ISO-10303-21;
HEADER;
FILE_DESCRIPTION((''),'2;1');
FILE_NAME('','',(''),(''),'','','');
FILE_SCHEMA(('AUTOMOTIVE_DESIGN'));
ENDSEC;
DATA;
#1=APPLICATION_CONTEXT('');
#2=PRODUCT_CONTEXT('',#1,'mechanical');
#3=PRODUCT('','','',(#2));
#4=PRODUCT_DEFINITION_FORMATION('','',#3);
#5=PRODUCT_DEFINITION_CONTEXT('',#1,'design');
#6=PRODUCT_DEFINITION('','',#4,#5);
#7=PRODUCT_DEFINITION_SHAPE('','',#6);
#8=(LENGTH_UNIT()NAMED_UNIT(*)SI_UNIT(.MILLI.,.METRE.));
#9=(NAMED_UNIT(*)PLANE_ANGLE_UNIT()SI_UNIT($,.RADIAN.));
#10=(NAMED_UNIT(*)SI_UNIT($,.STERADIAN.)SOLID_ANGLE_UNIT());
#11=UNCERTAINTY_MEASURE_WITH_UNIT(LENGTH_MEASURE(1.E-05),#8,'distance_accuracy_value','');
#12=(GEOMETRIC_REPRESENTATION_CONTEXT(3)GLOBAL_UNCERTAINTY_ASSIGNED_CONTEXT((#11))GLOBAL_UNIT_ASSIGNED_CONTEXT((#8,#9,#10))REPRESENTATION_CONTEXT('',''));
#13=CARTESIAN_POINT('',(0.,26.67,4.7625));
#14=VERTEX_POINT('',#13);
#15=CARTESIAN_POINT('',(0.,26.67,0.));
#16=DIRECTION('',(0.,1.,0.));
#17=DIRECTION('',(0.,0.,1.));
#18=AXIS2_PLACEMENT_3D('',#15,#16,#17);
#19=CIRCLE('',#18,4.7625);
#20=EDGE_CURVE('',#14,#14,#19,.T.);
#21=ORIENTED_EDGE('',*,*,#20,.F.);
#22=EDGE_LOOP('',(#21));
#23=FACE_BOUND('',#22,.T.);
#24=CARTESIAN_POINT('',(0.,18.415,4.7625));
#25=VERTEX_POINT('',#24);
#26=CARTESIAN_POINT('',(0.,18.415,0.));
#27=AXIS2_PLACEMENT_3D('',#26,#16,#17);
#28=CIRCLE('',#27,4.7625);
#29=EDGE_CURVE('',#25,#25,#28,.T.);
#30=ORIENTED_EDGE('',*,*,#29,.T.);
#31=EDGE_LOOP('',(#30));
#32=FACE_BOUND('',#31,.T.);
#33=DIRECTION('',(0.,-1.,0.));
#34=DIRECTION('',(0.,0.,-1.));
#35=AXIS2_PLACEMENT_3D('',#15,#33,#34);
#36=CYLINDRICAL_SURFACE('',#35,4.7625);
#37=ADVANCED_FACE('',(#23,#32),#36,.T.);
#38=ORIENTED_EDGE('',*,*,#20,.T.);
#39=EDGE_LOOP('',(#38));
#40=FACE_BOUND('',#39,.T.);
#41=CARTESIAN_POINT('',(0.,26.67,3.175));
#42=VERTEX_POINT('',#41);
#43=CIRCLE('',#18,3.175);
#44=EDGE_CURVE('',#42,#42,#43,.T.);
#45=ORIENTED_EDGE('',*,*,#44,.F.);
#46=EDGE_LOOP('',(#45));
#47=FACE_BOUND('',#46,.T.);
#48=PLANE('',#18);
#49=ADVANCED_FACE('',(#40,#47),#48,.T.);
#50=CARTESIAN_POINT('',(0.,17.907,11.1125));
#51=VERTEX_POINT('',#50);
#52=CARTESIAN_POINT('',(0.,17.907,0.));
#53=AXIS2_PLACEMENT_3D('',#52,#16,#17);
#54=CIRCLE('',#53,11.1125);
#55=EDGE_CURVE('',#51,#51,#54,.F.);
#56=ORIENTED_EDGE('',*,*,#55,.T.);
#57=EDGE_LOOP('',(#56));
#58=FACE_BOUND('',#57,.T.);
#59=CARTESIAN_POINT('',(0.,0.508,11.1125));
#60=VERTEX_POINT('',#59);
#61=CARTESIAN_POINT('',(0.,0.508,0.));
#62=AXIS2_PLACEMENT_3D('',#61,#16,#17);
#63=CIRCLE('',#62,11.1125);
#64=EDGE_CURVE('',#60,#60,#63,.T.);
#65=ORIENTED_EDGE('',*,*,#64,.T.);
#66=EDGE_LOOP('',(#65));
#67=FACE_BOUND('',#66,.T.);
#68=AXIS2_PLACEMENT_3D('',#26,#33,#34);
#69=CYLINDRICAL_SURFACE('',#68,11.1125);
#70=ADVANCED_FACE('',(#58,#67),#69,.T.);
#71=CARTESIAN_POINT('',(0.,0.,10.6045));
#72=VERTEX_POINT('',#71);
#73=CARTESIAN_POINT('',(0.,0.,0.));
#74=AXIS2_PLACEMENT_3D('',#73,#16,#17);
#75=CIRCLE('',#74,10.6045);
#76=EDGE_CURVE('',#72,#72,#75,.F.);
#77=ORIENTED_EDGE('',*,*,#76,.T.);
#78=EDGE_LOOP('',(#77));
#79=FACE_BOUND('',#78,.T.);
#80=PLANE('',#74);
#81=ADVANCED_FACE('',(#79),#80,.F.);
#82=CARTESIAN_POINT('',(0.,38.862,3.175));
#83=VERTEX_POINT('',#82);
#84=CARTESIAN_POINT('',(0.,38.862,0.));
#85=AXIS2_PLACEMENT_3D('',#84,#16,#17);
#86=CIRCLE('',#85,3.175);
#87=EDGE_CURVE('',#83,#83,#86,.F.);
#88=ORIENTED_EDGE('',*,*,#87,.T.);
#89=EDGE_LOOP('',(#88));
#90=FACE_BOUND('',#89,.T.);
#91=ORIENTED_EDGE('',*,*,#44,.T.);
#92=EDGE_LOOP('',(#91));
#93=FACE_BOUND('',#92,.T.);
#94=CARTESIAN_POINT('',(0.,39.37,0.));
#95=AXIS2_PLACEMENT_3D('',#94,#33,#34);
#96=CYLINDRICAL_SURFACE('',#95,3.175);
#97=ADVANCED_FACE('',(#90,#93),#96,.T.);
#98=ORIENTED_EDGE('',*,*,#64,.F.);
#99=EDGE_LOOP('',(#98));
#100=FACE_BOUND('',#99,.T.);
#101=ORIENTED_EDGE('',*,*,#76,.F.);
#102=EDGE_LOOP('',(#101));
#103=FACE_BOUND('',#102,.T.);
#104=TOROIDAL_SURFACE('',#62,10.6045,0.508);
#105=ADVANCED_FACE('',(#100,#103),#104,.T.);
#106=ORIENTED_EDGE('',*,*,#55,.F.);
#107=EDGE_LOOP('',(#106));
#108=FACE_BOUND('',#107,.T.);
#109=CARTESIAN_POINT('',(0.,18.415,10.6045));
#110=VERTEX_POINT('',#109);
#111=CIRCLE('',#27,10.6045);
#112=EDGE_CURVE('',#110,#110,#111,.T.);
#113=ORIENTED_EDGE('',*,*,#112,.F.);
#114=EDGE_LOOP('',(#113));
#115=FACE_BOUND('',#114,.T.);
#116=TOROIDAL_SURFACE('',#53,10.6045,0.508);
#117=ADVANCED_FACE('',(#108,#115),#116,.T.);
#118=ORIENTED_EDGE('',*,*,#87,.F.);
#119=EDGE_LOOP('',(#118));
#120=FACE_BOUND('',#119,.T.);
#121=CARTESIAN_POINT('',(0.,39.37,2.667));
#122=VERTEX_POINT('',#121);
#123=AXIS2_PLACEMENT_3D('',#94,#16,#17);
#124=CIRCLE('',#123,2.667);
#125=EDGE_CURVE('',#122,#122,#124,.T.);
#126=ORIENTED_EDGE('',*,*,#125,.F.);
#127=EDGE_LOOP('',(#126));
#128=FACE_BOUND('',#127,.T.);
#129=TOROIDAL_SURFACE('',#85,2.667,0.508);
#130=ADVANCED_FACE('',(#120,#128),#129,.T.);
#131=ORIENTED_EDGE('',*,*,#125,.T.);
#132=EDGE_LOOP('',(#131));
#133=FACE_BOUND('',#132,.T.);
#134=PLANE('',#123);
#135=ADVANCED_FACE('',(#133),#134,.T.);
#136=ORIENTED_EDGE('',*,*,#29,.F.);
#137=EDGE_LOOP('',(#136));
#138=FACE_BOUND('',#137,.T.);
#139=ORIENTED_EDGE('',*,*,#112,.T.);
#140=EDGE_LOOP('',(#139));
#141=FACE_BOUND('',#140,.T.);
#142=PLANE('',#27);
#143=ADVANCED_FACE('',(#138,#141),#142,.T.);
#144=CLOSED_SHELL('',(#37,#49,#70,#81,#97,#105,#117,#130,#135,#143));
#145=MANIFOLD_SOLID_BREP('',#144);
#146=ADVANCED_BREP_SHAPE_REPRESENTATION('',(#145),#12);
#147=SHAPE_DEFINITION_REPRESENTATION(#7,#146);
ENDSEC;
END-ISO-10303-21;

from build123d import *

# Parameters (mm, degrees)
SKETCH1_R           = 11.1125
BOSS_EXTRUDE1_DEPTH = 18.415
SKETCH2_R           = 4.7625
BOSS_EXTRUDE2_DEPTH = 8.255
SKETCH3_R           = 3.175
BOSS_EXTRUDE3_DEPTH = 12.7
FILLET1_R           = 0.508
FILLET2_R           = 0.508


with BuildPart() as part:
    # Sketch1 → Boss-Extrude1 (new body)
    with BuildSketch(Plane(origin=(0, 0, 0), x_dir=(1, 0, 0), z_dir=(0, 1, 0))):
        with Locations(Location((0, 0, 0), (0, 0, 270))):
            Circle(SKETCH1_R)
    extrude(amount=BOSS_EXTRUDE1_DEPTH)

    # Sketch2 → Boss-Extrude2 (add)
    with BuildSketch(Plane(origin=(0, 18.415, 0), x_dir=(1, 0, 0), z_dir=(0, 1, 0))):
        with Locations(Location((0, 0, 0), (0, 0, 270))):
            Circle(SKETCH2_R)
    extrude(amount=BOSS_EXTRUDE2_DEPTH)

    # Sketch3 → Boss-Extrude3 (add)
    with BuildSketch(Plane(origin=(0, 26.67, 0), x_dir=(1, 0, 0), z_dir=(0, 1, 0))):
        with Locations(Location((0, 0, 0), (0, 0, 270))):
            Circle(SKETCH3_R)
    extrude(amount=BOSS_EXTRUDE3_DEPTH)

    # Fillet1
    fillet1_edges = [part.edges().sort_by_distance(p)[0] for p in [
        (0, 0, -11.1125),
        (0, 18.415, -11.1125),
    ]]
    fillet(fillet1_edges, radius=FILLET1_R)

    # Fillet2
    fillet2_edges = [part.edges().sort_by_distance(p)[0] for p in [
        (0, 39.37, -3.175),
    ]]
    fillet(fillet2_edges, radius=FILLET2_R)


solid = part.part
